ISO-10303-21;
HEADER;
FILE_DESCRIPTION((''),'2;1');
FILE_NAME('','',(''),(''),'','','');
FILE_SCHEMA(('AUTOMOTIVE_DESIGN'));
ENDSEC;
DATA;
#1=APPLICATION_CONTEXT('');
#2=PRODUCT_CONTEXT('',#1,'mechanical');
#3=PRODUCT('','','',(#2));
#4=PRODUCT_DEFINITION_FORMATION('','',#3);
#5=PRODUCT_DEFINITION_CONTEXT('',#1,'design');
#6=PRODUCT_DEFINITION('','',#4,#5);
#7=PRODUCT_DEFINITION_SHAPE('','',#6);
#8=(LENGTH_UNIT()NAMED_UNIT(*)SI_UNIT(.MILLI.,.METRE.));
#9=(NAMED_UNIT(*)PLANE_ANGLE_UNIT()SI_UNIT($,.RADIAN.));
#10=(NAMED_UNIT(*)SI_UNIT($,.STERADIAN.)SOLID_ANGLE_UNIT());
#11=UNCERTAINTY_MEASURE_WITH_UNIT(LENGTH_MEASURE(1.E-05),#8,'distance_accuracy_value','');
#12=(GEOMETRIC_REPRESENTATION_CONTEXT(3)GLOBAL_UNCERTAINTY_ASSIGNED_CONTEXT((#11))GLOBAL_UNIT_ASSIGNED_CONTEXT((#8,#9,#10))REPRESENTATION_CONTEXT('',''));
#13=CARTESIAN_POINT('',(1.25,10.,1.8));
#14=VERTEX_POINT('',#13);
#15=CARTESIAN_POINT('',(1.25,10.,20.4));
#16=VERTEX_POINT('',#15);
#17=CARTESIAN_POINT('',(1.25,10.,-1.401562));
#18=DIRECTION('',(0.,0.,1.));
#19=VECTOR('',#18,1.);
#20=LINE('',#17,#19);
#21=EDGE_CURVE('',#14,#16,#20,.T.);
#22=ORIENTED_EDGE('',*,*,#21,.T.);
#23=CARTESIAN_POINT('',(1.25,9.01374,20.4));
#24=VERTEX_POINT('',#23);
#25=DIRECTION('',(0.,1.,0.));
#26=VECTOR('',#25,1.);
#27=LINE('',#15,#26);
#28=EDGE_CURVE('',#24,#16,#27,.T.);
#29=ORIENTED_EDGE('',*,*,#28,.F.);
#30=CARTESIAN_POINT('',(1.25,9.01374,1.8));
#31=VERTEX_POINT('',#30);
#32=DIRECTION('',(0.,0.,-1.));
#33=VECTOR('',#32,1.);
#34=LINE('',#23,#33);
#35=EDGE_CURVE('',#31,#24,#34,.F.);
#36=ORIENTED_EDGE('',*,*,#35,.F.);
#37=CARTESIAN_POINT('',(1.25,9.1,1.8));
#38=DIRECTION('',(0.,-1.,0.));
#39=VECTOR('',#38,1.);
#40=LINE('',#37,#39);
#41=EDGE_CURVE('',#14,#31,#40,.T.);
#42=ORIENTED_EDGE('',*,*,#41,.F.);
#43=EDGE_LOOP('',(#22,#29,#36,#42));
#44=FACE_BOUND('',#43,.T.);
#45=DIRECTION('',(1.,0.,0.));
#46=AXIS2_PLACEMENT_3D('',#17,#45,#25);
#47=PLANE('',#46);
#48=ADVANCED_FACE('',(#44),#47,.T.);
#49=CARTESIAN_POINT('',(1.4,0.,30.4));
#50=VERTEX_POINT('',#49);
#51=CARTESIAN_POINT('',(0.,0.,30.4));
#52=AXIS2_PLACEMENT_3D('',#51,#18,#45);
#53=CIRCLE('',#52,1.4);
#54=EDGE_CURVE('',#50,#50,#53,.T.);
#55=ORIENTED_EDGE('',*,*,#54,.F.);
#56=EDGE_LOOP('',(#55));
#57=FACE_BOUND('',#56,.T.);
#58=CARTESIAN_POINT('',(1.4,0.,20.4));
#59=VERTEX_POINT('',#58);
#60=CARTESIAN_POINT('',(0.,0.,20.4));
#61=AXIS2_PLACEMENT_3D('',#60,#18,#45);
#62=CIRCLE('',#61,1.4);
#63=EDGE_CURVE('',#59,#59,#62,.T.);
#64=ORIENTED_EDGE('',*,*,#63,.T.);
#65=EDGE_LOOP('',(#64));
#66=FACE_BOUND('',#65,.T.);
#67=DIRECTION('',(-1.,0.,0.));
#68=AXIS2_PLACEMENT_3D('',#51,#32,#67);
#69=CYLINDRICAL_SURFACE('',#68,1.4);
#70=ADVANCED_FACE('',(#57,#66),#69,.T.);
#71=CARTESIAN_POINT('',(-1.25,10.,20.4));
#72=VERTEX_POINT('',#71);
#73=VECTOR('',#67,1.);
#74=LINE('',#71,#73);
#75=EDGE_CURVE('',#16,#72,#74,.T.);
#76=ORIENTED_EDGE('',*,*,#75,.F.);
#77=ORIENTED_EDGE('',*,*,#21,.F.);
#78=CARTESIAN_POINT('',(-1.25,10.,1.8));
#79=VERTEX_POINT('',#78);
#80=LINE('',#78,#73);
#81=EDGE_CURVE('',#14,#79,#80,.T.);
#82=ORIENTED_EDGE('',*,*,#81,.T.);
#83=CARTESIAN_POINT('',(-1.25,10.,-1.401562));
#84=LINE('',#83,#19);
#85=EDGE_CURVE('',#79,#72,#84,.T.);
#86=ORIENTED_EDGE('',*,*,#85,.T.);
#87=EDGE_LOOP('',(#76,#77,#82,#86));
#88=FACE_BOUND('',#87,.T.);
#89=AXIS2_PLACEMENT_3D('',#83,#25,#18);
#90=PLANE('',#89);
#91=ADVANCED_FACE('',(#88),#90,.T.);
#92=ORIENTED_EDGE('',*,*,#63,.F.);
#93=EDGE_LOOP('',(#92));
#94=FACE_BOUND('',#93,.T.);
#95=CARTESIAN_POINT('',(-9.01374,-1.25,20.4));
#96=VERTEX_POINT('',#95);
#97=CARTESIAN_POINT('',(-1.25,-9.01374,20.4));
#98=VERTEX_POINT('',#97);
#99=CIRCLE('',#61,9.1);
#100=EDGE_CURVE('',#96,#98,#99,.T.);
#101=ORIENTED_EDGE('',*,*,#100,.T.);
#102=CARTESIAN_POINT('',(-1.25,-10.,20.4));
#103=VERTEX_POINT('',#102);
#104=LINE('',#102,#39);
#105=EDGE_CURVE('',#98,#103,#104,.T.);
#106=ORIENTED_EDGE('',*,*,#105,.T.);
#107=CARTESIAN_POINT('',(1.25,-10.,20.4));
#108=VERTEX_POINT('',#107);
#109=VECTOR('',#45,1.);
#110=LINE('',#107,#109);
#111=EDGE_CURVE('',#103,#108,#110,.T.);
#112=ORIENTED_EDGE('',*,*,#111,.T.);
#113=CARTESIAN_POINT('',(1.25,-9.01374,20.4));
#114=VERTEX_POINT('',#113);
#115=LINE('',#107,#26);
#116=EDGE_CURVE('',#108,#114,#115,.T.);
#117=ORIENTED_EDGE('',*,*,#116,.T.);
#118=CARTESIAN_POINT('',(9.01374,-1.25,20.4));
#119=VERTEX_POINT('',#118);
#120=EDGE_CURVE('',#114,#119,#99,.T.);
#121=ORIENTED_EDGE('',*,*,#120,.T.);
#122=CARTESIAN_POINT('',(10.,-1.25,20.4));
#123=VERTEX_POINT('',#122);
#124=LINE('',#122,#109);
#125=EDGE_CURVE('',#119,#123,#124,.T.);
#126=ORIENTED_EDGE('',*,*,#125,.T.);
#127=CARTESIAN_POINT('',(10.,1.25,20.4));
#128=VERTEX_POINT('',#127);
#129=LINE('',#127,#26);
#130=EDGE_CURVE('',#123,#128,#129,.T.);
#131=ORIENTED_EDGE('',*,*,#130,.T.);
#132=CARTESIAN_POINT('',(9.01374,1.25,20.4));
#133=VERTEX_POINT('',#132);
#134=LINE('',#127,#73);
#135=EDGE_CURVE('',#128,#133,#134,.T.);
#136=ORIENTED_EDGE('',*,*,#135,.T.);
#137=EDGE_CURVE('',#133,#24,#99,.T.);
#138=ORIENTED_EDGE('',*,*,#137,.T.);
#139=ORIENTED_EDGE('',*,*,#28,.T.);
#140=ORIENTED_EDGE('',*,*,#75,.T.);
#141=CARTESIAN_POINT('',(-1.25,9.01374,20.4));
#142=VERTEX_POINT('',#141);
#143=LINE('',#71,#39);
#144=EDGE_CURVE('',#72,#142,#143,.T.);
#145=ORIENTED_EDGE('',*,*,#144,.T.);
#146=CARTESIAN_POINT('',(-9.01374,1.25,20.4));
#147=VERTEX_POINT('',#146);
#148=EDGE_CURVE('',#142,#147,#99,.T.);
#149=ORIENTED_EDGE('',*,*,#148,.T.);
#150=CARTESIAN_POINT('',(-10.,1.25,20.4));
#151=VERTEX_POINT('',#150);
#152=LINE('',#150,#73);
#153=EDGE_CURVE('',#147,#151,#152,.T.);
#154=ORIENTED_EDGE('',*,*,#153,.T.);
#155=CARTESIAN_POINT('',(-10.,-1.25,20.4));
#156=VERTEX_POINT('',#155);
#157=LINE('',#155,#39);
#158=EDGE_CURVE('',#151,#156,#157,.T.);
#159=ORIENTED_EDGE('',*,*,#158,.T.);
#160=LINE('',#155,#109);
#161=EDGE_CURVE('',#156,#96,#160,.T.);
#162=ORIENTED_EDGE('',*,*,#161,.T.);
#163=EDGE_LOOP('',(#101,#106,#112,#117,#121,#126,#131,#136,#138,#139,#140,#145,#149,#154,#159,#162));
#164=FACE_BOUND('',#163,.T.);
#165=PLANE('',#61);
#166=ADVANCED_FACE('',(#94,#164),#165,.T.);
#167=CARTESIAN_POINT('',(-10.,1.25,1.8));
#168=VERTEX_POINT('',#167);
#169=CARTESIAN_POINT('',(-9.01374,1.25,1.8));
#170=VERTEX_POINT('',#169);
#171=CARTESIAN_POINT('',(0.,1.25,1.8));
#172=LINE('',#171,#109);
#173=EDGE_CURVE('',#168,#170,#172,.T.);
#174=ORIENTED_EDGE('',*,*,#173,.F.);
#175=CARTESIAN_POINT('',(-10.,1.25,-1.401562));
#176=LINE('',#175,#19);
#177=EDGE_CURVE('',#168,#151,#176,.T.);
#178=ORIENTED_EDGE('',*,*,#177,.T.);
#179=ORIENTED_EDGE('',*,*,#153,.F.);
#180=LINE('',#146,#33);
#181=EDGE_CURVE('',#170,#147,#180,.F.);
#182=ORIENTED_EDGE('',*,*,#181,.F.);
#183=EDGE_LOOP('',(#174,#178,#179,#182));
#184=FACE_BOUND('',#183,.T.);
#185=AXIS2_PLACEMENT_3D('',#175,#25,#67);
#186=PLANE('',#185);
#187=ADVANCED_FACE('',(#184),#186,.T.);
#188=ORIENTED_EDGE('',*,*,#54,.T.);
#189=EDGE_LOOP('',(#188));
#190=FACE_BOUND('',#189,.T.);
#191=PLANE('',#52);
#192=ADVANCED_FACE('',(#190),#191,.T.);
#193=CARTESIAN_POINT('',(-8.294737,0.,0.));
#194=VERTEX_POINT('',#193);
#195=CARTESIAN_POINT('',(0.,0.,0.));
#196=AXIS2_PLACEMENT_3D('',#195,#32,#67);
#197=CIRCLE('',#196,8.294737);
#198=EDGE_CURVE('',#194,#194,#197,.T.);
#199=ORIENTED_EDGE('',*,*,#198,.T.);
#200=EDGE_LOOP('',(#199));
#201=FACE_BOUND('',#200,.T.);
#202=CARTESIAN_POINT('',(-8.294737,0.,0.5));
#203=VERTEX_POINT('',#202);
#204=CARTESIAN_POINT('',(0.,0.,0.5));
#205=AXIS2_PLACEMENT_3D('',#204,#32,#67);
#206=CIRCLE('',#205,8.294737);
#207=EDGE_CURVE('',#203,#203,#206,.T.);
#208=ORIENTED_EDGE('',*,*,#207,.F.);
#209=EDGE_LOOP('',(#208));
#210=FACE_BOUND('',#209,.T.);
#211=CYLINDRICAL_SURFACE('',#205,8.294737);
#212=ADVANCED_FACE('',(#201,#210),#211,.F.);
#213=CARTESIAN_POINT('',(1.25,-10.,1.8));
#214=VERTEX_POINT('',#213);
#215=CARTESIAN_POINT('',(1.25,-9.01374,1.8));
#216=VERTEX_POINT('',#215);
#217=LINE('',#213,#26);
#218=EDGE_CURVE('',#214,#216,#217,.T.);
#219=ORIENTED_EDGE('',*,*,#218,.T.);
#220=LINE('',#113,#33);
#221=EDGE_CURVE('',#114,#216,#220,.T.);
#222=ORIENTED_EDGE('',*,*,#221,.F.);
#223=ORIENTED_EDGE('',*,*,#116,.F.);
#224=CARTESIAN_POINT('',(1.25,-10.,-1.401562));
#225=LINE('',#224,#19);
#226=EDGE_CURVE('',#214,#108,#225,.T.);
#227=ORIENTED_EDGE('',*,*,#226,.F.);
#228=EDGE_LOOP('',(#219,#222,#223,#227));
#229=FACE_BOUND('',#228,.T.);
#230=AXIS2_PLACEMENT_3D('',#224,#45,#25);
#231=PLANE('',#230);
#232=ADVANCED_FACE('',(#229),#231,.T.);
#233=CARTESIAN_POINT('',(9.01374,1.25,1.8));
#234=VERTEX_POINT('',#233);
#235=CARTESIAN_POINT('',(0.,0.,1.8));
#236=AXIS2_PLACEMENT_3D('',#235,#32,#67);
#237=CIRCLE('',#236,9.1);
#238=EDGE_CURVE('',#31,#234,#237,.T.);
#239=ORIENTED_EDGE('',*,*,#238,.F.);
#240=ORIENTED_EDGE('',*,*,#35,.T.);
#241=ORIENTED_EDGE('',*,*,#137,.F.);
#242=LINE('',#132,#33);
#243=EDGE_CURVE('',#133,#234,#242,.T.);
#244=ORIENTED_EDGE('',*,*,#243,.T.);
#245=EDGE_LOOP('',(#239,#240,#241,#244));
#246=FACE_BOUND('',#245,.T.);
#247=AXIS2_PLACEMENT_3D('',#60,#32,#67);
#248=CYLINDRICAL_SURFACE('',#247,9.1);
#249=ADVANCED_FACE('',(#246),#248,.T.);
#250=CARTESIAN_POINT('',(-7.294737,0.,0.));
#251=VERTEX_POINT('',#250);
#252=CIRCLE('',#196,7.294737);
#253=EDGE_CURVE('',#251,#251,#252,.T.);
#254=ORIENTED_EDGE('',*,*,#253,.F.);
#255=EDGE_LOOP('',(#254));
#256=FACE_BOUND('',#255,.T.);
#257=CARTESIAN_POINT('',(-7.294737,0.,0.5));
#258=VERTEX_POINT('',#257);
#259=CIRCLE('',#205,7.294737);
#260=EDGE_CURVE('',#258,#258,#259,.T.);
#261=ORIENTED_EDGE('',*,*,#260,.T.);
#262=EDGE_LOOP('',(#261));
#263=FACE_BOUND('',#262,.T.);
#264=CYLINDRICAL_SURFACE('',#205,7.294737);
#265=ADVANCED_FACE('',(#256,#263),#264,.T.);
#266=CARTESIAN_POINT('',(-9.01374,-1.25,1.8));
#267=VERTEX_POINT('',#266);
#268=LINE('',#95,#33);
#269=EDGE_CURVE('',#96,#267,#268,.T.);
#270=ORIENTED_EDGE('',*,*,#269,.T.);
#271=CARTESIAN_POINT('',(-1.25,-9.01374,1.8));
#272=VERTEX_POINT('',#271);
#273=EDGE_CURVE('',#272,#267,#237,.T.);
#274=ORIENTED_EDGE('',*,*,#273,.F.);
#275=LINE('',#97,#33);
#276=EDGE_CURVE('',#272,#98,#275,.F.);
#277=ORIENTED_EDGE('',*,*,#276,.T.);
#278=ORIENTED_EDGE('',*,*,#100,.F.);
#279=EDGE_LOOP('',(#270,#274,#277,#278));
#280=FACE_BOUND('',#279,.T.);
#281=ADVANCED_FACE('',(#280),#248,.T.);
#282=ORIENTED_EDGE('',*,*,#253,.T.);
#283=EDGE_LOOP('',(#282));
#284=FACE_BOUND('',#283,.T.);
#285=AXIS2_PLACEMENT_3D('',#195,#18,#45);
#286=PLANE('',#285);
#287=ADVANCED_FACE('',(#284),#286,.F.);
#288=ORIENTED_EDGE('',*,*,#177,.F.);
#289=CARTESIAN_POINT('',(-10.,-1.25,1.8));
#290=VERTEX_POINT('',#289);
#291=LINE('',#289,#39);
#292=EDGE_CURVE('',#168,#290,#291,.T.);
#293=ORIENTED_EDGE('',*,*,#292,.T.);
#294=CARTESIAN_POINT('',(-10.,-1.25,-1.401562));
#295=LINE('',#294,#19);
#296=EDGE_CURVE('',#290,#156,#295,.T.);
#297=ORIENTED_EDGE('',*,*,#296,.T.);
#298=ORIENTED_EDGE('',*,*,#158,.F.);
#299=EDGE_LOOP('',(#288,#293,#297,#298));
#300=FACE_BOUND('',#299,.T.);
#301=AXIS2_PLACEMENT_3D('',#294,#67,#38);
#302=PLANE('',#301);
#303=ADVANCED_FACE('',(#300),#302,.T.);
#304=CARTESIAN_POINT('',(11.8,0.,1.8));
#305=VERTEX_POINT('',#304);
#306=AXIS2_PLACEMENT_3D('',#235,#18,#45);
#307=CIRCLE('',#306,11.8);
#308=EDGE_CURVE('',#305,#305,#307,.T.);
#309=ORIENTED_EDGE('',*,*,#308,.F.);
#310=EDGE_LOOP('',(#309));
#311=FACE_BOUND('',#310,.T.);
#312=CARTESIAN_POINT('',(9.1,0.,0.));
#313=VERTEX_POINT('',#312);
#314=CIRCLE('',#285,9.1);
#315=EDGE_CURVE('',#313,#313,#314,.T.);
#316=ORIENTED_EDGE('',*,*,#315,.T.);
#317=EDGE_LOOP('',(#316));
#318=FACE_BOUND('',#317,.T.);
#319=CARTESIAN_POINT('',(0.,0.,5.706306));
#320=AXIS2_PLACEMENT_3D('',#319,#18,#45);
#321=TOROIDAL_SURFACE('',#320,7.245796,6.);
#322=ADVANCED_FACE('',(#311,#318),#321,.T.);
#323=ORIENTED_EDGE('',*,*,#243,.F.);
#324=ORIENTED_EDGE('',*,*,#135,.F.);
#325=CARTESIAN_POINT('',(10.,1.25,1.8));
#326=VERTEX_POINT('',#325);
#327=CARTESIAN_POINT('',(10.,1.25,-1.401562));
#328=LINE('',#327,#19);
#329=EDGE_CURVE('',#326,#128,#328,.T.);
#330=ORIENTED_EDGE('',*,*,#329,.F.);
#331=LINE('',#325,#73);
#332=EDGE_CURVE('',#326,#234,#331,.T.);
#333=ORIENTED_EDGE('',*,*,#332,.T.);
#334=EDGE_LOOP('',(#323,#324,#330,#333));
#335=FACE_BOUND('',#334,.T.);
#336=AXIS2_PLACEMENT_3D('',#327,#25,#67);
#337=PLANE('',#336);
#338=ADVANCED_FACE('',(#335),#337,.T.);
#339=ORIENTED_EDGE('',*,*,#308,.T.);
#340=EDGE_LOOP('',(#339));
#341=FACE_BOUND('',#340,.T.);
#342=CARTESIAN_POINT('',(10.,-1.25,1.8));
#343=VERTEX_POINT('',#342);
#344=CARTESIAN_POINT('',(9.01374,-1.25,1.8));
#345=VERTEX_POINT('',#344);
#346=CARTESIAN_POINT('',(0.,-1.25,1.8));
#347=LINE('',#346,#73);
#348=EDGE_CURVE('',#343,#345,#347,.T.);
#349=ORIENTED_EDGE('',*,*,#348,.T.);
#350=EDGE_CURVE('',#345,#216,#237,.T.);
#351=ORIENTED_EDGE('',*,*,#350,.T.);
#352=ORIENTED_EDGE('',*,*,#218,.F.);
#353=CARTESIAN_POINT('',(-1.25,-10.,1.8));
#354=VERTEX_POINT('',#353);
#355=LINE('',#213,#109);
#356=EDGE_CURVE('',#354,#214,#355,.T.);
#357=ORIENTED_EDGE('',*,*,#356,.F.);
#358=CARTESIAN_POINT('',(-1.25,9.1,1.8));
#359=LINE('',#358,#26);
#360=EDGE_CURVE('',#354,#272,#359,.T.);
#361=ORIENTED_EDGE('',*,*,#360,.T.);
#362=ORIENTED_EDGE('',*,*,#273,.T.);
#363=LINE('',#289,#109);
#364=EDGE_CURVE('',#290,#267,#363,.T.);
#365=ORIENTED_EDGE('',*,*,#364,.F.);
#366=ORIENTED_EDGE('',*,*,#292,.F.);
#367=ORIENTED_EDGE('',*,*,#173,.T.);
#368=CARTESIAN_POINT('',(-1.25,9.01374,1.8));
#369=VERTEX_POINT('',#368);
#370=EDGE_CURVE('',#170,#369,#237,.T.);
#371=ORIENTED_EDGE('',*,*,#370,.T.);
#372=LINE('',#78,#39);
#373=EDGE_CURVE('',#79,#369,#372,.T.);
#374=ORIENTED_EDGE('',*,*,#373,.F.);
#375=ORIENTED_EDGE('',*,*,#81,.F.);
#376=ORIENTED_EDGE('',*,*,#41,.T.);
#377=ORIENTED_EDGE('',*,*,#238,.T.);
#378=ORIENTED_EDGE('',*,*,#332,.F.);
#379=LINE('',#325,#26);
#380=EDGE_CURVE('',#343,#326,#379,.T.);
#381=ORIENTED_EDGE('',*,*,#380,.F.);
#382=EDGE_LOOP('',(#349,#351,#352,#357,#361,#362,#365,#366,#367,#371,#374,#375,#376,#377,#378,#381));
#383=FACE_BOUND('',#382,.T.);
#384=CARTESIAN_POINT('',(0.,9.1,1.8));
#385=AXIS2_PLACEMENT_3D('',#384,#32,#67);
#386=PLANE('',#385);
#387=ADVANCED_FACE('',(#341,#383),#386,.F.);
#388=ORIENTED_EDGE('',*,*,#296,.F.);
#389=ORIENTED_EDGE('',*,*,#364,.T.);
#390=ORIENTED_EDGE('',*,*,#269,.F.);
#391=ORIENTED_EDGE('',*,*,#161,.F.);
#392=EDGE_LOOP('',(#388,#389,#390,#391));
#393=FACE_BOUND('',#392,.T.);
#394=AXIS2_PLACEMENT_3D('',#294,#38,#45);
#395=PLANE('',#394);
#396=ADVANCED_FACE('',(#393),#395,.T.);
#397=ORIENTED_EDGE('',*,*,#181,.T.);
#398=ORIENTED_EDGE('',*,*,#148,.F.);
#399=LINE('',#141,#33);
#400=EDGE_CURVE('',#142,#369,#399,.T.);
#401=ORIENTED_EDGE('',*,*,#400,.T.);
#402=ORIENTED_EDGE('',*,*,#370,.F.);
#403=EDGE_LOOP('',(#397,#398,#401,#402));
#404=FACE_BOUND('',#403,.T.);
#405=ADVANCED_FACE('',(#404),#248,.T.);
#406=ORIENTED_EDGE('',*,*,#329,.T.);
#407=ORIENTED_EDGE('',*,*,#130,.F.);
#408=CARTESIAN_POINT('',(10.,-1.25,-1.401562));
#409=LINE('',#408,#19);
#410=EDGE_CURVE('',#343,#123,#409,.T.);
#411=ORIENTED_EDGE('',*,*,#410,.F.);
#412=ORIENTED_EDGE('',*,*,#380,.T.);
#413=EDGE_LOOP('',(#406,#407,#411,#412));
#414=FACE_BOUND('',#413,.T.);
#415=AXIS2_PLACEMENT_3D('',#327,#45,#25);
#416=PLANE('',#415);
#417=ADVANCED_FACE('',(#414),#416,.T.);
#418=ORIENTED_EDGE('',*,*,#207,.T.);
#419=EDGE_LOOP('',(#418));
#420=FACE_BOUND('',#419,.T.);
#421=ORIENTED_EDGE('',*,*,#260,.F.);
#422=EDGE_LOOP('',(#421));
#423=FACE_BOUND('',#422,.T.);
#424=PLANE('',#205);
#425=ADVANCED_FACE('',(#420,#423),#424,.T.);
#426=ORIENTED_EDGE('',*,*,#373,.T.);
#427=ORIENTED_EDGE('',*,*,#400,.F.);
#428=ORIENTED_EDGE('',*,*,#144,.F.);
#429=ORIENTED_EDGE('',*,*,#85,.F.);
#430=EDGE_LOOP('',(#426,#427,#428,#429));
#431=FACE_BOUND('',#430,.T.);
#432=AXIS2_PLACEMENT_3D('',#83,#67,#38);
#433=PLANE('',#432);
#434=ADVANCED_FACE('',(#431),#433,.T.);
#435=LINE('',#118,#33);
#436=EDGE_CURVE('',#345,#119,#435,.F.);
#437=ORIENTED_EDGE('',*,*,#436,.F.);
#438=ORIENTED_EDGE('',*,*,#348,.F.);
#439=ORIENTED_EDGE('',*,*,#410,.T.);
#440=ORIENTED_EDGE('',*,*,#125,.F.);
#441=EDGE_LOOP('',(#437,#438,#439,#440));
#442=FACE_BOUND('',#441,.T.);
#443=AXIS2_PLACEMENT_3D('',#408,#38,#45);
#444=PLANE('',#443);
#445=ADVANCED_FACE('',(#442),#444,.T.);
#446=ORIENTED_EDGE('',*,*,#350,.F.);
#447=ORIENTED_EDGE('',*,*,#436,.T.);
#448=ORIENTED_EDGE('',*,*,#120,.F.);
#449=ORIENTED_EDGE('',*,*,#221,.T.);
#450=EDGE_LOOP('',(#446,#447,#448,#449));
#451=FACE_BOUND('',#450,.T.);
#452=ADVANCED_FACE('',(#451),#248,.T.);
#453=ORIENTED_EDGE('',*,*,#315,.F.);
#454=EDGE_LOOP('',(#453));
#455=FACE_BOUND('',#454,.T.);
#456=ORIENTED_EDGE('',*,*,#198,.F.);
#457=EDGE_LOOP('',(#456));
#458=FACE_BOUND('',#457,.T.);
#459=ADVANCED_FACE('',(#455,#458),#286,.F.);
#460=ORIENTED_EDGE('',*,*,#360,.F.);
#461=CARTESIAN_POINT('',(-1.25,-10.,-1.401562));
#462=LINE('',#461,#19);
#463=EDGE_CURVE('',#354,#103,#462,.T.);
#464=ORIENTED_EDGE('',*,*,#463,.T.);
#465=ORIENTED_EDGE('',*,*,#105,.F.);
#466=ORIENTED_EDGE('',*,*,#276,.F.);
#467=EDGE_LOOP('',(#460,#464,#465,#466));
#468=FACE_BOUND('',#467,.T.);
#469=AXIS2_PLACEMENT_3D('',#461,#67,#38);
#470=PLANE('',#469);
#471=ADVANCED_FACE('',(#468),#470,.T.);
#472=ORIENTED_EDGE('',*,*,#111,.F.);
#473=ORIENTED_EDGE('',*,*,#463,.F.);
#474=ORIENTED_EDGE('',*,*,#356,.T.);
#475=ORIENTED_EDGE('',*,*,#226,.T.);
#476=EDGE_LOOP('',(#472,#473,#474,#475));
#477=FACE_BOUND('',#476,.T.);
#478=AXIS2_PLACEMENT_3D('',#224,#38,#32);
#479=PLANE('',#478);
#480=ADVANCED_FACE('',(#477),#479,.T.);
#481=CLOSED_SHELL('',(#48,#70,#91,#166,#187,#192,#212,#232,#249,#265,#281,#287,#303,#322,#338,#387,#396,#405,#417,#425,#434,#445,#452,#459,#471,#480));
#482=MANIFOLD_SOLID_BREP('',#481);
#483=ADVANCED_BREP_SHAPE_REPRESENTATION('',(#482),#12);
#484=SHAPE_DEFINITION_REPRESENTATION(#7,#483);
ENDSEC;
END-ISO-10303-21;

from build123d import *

# Parameters (mm, degrees)
SKETCH_1_R               = 9.1
EXTRUDE_1_DEPTH          = 20.4
SKETCH_3_R               = 8.294737136
SKETCH_3_R_2             = 7.294737136
CUT_EXTRUDE_1_DEPTH      = 0.5
SKETCH_4_W               = 2.5
SKETCH_4_H               = 2
EXTRUDE_2_DEPTH          = 18.6
PATTERN_CIRCULAR_1_COUNT = 4
SKETCH_5_R               = 1.4
EXTRUDE_3_DEPTH          = 10


with BuildPart() as part:
    # 草图1 → 凸台-拉伸1 (new body)
    with BuildSketch(Plane.XY):
        Circle(SKETCH_1_R)
    extrude(amount=EXTRUDE_1_DEPTH)

    # 草图2 → 旋转1 (revolve)
    with BuildSketch(Plane(origin=(0, 0, 0), x_dir=(0, 0, -1), z_dir=(1, 0, 0)), mode=Mode.PRIVATE) as revolve_1_sk:
        with BuildLine():
            Line((-1.8, 9.1), (-1.8, 11.8))
            ThreePointArc((-1.8, 11.8), (-0.714004188, 10.573997208), (0, 9.1))
            Line((0, 9.1), (-1.8, 9.1))
        make_face()
    revolve(revolve_1_sk.sketch.rotate(Axis((0, 0, 20.4), (0, 0, -1)), 270), axis=Axis((0, 0, 20.4), (0, 0, -1)))

    # 草图3 → 切除-拉伸1 (cut)
    with BuildSketch(Plane(origin=(0, 0, 0), x_dir=(-1, 0, 0), z_dir=(0, 0, -1))):
        Circle(SKETCH_3_R)
        Circle(SKETCH_3_R_2, mode=Mode.SUBTRACT)
    extrude(amount=-CUT_EXTRUDE_1_DEPTH, mode=Mode.SUBTRACT)

    # 草图4 → 凸台-拉伸2 (add)
    with BuildSketch(Plane.XY.offset(20.4)):
        with Locations((0, 9)):
            Rectangle(SKETCH_4_W, SKETCH_4_H)
    extrude_2 = extrude(amount=-EXTRUDE_2_DEPTH)

    # 阵列(圆周)1: 凸台-拉伸2 ×4 about axis
    pattern_circular_1_axis = Axis((0, 0, 0), (0, 0, 1))
    for i in range(1, PATTERN_CIRCULAR_1_COUNT):
        add(extrude_2.rotate(pattern_circular_1_axis, i * 360 / PATTERN_CIRCULAR_1_COUNT))

    # 草图5 → 凸台-拉伸3 (add)
    with BuildSketch(Plane.XY.offset(20.4)):
        Circle(SKETCH_5_R)
    extrude(amount=EXTRUDE_3_DEPTH)


solid = part.part
